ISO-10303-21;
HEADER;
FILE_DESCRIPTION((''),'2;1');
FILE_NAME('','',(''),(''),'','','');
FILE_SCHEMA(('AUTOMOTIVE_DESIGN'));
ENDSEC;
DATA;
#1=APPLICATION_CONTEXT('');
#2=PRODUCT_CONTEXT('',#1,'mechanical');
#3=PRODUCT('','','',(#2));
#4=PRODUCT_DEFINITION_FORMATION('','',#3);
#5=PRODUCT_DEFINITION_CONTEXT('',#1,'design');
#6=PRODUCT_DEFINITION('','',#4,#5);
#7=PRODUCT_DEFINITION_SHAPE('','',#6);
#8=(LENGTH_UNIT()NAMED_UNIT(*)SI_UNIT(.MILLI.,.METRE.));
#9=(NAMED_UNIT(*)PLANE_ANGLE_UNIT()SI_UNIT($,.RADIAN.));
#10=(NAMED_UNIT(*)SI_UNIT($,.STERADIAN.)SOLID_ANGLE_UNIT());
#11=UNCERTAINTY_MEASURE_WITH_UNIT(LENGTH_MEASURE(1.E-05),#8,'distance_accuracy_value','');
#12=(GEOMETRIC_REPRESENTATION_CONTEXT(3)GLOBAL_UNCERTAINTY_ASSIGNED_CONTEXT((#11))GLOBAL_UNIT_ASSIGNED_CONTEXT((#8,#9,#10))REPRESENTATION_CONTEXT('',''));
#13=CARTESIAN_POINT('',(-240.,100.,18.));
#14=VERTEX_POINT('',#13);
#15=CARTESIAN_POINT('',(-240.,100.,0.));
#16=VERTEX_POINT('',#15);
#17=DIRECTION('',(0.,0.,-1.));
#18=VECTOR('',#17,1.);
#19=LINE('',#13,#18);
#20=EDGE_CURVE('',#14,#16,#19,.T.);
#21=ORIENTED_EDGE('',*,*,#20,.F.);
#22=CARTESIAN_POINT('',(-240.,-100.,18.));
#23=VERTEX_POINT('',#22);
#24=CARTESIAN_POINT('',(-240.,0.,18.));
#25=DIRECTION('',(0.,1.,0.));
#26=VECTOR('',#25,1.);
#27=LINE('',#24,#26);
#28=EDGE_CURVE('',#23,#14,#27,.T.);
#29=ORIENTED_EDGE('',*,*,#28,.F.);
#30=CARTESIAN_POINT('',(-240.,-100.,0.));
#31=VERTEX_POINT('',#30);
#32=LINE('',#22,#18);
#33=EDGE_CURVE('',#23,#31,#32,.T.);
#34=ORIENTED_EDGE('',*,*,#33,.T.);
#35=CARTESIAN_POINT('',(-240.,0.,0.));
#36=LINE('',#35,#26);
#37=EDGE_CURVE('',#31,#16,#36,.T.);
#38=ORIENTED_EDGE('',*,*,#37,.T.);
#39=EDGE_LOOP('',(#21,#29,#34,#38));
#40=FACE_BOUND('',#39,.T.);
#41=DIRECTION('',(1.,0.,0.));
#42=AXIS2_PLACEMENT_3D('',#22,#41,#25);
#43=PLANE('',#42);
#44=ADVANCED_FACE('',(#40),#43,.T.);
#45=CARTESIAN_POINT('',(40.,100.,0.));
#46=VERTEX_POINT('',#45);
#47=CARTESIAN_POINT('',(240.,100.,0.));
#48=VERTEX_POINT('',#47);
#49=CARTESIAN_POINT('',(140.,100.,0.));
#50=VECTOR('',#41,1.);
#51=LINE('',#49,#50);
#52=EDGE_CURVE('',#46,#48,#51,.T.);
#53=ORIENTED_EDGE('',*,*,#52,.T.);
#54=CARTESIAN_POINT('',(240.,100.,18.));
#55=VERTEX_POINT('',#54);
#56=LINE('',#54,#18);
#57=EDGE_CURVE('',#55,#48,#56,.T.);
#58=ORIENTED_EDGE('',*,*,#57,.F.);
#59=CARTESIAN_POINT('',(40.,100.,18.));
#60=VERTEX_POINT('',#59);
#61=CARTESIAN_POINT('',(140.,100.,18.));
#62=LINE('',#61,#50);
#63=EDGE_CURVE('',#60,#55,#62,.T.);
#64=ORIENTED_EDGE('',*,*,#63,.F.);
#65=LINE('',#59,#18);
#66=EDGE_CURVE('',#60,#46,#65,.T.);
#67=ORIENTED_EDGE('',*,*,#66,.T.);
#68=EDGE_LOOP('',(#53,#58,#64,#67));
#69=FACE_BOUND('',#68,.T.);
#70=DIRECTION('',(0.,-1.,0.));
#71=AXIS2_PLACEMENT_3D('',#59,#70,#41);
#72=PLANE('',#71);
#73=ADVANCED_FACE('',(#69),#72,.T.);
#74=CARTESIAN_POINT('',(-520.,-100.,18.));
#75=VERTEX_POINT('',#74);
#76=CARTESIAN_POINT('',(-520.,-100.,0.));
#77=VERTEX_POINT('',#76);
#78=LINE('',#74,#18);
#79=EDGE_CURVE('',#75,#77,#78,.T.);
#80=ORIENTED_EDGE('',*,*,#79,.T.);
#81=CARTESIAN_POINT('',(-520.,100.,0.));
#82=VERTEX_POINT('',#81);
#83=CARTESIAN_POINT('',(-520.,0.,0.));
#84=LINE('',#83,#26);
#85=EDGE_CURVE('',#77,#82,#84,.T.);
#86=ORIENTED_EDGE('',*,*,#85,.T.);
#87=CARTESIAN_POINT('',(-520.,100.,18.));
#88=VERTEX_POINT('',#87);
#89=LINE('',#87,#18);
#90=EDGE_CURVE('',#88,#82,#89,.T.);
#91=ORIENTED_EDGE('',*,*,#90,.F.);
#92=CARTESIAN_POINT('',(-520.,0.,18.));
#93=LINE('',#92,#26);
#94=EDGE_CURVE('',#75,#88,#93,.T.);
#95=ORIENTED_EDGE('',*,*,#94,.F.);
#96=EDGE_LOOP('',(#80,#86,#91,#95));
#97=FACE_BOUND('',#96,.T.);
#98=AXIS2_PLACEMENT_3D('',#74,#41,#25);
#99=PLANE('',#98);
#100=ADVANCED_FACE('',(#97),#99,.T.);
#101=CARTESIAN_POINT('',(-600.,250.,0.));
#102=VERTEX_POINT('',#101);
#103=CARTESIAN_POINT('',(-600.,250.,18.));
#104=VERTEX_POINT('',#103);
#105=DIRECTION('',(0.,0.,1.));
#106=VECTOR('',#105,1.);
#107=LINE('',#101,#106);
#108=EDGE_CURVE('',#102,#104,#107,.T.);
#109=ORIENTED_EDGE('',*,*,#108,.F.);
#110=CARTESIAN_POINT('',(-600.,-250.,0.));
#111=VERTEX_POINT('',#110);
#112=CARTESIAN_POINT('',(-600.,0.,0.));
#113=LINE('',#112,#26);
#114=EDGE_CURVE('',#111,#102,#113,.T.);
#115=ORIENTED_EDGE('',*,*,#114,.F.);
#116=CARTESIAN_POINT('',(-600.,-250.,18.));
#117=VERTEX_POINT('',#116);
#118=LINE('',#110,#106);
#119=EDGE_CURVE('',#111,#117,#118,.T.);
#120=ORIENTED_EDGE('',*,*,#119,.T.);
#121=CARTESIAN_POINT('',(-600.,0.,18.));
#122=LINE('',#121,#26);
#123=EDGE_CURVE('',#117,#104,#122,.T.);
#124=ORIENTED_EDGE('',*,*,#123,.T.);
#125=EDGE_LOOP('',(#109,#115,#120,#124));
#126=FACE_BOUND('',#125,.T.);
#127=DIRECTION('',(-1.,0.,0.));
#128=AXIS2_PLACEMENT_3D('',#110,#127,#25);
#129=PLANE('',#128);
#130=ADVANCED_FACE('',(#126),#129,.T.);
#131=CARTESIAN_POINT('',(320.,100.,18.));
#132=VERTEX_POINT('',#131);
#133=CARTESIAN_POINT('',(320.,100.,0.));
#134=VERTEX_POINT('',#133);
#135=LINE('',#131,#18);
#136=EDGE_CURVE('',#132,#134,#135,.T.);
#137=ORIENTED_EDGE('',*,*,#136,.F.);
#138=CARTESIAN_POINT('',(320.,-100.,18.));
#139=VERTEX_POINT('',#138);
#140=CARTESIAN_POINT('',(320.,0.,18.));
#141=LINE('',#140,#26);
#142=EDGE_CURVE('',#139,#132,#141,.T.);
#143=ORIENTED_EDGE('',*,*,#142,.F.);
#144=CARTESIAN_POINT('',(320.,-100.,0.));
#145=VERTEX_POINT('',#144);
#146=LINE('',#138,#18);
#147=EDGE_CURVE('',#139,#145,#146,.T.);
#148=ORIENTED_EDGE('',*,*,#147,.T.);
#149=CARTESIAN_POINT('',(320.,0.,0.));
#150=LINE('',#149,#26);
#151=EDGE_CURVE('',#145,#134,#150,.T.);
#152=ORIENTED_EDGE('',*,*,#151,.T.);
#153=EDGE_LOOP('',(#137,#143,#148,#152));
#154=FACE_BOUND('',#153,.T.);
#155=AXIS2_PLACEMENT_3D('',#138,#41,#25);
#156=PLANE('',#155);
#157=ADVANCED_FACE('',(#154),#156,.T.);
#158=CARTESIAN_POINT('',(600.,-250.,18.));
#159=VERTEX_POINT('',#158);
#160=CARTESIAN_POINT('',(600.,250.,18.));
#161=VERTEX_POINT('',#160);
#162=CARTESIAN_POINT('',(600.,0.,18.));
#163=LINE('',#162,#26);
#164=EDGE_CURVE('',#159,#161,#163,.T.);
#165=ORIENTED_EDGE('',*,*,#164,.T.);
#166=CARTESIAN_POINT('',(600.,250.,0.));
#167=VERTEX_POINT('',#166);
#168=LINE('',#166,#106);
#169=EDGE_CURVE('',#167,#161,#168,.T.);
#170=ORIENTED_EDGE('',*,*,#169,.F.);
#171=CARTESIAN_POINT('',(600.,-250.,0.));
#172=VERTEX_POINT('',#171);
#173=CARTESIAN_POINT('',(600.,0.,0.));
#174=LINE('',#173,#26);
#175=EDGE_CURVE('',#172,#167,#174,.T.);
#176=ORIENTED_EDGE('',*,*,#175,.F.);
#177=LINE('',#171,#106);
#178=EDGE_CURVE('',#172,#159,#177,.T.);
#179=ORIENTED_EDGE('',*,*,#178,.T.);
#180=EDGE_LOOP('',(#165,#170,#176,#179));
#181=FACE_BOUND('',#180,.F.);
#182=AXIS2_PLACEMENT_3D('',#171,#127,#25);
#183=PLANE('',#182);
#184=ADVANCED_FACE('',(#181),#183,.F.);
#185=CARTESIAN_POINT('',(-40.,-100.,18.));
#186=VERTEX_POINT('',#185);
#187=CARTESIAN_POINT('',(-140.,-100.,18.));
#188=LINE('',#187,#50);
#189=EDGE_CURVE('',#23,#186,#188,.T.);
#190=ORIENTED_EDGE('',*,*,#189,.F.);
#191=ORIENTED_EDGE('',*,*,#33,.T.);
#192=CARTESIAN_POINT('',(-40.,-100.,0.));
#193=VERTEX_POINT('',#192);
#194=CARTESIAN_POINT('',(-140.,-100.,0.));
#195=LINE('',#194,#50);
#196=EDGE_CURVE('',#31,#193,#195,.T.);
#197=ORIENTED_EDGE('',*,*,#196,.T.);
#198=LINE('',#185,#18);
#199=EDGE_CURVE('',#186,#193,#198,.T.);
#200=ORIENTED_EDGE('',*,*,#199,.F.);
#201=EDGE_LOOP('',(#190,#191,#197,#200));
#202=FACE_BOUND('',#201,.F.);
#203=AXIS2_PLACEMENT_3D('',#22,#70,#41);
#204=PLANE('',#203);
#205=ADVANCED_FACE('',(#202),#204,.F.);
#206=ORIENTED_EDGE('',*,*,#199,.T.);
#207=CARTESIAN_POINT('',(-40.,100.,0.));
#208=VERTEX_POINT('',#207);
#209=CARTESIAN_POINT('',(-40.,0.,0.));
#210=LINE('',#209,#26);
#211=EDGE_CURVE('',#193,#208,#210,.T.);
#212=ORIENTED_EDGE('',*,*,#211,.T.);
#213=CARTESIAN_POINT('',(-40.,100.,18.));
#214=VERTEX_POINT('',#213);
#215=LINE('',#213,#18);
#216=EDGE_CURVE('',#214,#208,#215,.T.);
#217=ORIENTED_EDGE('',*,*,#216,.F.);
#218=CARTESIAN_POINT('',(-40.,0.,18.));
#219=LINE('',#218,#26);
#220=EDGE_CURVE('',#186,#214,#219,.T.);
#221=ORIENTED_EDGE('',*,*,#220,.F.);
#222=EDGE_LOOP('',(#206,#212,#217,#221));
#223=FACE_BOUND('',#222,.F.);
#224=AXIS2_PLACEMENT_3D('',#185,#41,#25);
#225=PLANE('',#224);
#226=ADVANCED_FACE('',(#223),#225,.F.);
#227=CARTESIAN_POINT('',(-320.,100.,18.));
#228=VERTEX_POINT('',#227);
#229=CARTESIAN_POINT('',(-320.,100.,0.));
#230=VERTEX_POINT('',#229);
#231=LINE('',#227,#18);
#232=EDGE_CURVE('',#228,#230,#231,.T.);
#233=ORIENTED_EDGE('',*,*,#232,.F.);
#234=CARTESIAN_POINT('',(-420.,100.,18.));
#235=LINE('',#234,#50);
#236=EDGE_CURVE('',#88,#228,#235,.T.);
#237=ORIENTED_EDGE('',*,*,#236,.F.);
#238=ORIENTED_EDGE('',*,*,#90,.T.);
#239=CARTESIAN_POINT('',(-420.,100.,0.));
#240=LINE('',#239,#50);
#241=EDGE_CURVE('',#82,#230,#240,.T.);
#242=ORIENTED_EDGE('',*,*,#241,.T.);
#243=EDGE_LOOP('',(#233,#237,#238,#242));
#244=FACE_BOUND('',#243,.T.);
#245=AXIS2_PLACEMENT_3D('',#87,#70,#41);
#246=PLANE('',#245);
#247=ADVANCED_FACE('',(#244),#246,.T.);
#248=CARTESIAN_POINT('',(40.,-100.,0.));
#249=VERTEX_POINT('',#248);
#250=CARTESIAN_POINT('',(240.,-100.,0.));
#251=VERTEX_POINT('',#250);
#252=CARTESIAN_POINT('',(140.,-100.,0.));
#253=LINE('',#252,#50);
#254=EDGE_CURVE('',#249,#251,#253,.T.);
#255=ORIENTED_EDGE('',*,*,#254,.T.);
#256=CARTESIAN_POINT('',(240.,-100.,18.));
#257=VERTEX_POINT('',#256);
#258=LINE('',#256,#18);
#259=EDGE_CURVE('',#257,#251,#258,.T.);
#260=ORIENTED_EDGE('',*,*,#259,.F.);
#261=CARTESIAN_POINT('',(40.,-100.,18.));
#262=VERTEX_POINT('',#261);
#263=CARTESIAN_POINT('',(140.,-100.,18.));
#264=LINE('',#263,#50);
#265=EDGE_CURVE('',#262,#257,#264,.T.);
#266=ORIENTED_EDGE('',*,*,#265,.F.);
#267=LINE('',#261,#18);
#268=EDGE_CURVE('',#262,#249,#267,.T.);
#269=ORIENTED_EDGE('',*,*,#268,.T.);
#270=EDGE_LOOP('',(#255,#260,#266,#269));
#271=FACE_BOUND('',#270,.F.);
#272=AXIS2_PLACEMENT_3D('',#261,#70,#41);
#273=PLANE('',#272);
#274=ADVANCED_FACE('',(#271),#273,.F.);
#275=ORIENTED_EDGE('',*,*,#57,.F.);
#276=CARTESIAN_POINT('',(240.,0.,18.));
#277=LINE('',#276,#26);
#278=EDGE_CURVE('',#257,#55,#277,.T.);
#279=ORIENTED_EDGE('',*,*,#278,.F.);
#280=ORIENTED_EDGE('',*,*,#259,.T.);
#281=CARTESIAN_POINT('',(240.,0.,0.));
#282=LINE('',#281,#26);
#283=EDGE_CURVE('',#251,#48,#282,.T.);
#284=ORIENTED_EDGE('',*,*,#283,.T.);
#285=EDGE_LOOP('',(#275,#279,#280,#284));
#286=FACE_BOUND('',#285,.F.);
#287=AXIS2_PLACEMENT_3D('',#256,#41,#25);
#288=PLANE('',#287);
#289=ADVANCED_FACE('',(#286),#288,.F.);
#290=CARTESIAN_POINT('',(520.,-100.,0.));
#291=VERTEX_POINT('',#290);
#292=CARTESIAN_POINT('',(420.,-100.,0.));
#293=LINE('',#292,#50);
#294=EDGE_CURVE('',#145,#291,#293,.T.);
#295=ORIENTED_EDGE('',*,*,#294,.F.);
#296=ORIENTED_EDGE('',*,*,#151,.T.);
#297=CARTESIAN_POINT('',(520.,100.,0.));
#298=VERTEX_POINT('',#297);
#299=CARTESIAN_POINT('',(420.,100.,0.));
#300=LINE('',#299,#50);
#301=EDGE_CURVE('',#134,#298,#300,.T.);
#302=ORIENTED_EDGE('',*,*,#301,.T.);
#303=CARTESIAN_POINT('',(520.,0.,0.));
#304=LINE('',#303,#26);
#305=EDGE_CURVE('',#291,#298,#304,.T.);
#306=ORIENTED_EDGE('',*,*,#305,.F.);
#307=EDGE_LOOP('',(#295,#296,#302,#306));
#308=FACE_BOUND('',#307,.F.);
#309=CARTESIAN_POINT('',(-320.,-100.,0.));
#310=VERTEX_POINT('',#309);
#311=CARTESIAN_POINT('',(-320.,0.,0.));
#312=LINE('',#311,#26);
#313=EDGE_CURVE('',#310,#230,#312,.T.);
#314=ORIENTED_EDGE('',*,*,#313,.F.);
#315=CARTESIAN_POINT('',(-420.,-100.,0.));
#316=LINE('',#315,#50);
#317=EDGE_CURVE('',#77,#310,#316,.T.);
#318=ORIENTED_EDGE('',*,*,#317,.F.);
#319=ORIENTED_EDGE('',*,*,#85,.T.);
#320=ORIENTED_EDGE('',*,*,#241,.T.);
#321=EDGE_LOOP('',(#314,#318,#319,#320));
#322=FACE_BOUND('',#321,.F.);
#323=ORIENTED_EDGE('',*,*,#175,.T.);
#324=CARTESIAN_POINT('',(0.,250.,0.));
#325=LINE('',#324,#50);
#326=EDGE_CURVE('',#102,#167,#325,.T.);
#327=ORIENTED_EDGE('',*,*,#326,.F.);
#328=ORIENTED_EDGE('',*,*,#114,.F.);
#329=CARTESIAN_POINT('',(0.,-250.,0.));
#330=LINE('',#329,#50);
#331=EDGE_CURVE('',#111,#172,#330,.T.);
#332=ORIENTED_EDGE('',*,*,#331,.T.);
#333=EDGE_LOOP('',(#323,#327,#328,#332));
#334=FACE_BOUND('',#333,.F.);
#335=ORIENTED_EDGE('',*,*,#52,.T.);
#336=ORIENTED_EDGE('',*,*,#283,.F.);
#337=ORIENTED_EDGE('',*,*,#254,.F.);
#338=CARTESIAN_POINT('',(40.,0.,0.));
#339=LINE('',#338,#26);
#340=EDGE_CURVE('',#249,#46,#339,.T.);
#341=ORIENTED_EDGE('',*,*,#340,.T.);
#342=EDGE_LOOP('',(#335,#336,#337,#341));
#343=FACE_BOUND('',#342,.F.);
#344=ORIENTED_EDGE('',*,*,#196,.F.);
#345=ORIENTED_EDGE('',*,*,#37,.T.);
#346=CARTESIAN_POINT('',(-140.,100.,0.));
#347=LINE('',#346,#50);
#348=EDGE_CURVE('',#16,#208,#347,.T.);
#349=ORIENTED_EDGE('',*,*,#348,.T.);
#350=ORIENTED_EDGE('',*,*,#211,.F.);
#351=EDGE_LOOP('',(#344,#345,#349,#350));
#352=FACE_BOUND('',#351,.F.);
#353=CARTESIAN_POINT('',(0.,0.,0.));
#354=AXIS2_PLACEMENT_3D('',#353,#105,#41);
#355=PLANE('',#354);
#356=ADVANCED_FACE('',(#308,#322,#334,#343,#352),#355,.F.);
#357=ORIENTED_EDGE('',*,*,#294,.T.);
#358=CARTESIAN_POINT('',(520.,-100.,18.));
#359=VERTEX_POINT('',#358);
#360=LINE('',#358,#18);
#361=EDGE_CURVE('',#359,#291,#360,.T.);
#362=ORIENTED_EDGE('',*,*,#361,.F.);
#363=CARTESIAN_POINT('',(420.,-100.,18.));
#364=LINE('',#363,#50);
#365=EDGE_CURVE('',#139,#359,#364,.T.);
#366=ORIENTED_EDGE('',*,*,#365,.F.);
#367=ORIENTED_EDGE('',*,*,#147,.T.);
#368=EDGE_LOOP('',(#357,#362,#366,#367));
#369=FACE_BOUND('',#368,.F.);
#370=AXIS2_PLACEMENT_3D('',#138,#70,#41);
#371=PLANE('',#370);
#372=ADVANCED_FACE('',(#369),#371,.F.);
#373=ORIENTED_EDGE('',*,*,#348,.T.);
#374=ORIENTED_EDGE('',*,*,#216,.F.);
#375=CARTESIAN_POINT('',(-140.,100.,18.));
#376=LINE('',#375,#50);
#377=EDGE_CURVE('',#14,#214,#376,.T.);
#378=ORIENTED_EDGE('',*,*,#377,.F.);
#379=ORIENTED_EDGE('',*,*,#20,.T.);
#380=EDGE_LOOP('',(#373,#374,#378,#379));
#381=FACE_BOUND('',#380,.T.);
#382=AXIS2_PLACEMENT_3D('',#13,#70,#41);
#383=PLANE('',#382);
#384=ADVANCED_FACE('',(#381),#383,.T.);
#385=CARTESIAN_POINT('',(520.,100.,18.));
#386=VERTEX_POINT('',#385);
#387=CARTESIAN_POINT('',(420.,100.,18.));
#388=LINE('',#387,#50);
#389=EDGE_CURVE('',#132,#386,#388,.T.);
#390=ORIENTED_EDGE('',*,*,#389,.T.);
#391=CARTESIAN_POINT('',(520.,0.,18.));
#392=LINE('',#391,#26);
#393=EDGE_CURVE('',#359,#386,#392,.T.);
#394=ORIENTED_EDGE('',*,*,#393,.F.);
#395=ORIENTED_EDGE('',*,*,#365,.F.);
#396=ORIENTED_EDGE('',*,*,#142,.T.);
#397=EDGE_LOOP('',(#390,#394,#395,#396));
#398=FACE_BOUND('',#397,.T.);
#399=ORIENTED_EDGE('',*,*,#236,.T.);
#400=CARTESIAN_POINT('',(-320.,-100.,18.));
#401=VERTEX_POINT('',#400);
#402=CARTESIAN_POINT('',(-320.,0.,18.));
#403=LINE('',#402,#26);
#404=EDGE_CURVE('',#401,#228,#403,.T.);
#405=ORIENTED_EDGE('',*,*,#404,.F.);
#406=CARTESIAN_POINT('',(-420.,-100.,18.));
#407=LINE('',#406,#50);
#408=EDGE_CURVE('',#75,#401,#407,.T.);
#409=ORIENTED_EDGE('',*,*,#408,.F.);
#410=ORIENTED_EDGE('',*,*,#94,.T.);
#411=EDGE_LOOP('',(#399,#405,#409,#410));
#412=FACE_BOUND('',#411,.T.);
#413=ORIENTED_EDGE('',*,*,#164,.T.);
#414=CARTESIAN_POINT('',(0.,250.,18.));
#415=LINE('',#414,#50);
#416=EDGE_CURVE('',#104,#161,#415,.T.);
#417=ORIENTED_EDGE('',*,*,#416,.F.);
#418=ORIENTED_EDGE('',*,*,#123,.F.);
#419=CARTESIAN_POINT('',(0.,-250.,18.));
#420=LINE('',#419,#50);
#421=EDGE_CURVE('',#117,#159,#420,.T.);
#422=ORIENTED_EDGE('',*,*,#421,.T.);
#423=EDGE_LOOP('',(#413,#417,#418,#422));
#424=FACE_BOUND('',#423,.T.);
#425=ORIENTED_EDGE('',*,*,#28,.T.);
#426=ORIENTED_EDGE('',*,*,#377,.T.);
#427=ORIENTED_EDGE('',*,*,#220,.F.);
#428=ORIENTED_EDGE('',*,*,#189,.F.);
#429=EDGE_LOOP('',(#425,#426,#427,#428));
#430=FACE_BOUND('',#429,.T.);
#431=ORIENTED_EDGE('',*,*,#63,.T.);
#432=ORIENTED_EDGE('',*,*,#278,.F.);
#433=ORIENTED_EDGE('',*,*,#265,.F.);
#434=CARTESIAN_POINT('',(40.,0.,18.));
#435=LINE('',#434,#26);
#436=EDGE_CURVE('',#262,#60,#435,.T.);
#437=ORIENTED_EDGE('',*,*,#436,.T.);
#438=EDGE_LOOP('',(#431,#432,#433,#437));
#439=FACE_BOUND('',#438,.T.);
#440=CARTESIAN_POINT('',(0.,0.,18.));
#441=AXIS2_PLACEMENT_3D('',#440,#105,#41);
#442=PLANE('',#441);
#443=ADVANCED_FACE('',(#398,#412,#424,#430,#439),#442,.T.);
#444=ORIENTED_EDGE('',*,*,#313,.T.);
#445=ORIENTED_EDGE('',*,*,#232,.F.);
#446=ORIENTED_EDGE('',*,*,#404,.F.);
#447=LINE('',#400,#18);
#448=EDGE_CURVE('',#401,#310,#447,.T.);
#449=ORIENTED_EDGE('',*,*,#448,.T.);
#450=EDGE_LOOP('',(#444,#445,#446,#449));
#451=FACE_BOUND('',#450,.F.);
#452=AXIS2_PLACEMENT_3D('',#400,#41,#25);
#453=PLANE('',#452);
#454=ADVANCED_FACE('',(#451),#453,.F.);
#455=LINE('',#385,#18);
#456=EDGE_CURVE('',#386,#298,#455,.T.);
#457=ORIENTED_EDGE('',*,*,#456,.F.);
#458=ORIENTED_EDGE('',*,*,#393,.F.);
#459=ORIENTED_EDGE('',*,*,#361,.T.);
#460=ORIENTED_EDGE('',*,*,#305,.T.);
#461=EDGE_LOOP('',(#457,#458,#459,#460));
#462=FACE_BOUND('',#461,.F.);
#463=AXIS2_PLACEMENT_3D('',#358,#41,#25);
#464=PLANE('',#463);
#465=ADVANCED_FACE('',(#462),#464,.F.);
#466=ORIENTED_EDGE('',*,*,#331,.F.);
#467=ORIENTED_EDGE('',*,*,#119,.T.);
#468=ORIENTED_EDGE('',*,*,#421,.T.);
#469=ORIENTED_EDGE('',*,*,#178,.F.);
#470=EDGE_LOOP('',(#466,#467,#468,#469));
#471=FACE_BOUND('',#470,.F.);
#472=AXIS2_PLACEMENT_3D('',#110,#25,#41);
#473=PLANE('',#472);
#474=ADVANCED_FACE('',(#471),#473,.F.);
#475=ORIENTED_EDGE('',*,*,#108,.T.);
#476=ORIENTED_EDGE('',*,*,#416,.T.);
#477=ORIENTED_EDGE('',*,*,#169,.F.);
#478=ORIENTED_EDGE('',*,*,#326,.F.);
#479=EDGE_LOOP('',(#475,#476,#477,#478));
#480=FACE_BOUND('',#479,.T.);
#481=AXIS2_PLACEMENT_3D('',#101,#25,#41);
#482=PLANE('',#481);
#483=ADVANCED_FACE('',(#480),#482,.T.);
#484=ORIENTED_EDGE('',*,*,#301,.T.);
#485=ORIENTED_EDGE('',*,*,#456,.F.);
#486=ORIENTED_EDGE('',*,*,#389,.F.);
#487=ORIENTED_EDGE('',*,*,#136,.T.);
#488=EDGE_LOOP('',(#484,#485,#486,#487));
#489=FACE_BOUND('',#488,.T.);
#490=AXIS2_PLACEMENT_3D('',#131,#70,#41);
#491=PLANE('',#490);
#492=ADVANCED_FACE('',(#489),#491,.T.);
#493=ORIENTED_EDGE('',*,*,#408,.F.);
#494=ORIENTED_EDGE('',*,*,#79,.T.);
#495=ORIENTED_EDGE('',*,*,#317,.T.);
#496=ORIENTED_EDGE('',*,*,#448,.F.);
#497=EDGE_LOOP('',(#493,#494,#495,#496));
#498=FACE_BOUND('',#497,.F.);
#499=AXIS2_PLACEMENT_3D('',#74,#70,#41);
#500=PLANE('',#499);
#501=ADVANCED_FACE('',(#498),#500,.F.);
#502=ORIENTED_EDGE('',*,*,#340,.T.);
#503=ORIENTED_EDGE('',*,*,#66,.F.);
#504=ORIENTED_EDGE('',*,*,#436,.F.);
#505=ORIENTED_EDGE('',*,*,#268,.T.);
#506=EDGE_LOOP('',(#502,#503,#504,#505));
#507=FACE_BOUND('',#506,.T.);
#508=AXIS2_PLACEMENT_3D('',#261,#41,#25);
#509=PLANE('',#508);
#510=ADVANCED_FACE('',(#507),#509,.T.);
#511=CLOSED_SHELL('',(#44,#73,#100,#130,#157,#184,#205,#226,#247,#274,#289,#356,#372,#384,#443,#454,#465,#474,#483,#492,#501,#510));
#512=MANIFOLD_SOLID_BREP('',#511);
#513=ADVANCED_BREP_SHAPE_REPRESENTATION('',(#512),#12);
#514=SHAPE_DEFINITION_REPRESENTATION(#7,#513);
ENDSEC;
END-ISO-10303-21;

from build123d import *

# Parameters (mm, degrees)
SKETCH_W            = 1200
SKETCH_H            = 500
PAD_DEPTH           = 18
SKETCH006_W         = 200
SKETCH006_H         = 200
POCKET_DEPTH        = 18
LINEARPATTERN_COUNT = 4
LINEARPATTERN_PITCH = 280


with BuildPart() as part:
    # Sketch → Pad (new body)
    with BuildSketch(Plane.XY):
        Rectangle(SKETCH_W, SKETCH_H)
    extrude(amount=PAD_DEPTH)

    # Sketch006 (on Face6 of Pad) → Pocket (cut)
    with BuildSketch(Plane.XY.offset(18)):
        with Locations((-420, 0)):
            Rectangle(SKETCH006_W, SKETCH006_H)
    pocket = extrude(amount=-POCKET_DEPTH, mode=Mode.SUBTRACT)

    # LinearPattern: Pocket ×4
    with Locations(*[(i * LINEARPATTERN_PITCH, 0, 0) for i in range(1, LINEARPATTERN_COUNT)]):
        add(pocket, mode=Mode.SUBTRACT)


solid = part.part
